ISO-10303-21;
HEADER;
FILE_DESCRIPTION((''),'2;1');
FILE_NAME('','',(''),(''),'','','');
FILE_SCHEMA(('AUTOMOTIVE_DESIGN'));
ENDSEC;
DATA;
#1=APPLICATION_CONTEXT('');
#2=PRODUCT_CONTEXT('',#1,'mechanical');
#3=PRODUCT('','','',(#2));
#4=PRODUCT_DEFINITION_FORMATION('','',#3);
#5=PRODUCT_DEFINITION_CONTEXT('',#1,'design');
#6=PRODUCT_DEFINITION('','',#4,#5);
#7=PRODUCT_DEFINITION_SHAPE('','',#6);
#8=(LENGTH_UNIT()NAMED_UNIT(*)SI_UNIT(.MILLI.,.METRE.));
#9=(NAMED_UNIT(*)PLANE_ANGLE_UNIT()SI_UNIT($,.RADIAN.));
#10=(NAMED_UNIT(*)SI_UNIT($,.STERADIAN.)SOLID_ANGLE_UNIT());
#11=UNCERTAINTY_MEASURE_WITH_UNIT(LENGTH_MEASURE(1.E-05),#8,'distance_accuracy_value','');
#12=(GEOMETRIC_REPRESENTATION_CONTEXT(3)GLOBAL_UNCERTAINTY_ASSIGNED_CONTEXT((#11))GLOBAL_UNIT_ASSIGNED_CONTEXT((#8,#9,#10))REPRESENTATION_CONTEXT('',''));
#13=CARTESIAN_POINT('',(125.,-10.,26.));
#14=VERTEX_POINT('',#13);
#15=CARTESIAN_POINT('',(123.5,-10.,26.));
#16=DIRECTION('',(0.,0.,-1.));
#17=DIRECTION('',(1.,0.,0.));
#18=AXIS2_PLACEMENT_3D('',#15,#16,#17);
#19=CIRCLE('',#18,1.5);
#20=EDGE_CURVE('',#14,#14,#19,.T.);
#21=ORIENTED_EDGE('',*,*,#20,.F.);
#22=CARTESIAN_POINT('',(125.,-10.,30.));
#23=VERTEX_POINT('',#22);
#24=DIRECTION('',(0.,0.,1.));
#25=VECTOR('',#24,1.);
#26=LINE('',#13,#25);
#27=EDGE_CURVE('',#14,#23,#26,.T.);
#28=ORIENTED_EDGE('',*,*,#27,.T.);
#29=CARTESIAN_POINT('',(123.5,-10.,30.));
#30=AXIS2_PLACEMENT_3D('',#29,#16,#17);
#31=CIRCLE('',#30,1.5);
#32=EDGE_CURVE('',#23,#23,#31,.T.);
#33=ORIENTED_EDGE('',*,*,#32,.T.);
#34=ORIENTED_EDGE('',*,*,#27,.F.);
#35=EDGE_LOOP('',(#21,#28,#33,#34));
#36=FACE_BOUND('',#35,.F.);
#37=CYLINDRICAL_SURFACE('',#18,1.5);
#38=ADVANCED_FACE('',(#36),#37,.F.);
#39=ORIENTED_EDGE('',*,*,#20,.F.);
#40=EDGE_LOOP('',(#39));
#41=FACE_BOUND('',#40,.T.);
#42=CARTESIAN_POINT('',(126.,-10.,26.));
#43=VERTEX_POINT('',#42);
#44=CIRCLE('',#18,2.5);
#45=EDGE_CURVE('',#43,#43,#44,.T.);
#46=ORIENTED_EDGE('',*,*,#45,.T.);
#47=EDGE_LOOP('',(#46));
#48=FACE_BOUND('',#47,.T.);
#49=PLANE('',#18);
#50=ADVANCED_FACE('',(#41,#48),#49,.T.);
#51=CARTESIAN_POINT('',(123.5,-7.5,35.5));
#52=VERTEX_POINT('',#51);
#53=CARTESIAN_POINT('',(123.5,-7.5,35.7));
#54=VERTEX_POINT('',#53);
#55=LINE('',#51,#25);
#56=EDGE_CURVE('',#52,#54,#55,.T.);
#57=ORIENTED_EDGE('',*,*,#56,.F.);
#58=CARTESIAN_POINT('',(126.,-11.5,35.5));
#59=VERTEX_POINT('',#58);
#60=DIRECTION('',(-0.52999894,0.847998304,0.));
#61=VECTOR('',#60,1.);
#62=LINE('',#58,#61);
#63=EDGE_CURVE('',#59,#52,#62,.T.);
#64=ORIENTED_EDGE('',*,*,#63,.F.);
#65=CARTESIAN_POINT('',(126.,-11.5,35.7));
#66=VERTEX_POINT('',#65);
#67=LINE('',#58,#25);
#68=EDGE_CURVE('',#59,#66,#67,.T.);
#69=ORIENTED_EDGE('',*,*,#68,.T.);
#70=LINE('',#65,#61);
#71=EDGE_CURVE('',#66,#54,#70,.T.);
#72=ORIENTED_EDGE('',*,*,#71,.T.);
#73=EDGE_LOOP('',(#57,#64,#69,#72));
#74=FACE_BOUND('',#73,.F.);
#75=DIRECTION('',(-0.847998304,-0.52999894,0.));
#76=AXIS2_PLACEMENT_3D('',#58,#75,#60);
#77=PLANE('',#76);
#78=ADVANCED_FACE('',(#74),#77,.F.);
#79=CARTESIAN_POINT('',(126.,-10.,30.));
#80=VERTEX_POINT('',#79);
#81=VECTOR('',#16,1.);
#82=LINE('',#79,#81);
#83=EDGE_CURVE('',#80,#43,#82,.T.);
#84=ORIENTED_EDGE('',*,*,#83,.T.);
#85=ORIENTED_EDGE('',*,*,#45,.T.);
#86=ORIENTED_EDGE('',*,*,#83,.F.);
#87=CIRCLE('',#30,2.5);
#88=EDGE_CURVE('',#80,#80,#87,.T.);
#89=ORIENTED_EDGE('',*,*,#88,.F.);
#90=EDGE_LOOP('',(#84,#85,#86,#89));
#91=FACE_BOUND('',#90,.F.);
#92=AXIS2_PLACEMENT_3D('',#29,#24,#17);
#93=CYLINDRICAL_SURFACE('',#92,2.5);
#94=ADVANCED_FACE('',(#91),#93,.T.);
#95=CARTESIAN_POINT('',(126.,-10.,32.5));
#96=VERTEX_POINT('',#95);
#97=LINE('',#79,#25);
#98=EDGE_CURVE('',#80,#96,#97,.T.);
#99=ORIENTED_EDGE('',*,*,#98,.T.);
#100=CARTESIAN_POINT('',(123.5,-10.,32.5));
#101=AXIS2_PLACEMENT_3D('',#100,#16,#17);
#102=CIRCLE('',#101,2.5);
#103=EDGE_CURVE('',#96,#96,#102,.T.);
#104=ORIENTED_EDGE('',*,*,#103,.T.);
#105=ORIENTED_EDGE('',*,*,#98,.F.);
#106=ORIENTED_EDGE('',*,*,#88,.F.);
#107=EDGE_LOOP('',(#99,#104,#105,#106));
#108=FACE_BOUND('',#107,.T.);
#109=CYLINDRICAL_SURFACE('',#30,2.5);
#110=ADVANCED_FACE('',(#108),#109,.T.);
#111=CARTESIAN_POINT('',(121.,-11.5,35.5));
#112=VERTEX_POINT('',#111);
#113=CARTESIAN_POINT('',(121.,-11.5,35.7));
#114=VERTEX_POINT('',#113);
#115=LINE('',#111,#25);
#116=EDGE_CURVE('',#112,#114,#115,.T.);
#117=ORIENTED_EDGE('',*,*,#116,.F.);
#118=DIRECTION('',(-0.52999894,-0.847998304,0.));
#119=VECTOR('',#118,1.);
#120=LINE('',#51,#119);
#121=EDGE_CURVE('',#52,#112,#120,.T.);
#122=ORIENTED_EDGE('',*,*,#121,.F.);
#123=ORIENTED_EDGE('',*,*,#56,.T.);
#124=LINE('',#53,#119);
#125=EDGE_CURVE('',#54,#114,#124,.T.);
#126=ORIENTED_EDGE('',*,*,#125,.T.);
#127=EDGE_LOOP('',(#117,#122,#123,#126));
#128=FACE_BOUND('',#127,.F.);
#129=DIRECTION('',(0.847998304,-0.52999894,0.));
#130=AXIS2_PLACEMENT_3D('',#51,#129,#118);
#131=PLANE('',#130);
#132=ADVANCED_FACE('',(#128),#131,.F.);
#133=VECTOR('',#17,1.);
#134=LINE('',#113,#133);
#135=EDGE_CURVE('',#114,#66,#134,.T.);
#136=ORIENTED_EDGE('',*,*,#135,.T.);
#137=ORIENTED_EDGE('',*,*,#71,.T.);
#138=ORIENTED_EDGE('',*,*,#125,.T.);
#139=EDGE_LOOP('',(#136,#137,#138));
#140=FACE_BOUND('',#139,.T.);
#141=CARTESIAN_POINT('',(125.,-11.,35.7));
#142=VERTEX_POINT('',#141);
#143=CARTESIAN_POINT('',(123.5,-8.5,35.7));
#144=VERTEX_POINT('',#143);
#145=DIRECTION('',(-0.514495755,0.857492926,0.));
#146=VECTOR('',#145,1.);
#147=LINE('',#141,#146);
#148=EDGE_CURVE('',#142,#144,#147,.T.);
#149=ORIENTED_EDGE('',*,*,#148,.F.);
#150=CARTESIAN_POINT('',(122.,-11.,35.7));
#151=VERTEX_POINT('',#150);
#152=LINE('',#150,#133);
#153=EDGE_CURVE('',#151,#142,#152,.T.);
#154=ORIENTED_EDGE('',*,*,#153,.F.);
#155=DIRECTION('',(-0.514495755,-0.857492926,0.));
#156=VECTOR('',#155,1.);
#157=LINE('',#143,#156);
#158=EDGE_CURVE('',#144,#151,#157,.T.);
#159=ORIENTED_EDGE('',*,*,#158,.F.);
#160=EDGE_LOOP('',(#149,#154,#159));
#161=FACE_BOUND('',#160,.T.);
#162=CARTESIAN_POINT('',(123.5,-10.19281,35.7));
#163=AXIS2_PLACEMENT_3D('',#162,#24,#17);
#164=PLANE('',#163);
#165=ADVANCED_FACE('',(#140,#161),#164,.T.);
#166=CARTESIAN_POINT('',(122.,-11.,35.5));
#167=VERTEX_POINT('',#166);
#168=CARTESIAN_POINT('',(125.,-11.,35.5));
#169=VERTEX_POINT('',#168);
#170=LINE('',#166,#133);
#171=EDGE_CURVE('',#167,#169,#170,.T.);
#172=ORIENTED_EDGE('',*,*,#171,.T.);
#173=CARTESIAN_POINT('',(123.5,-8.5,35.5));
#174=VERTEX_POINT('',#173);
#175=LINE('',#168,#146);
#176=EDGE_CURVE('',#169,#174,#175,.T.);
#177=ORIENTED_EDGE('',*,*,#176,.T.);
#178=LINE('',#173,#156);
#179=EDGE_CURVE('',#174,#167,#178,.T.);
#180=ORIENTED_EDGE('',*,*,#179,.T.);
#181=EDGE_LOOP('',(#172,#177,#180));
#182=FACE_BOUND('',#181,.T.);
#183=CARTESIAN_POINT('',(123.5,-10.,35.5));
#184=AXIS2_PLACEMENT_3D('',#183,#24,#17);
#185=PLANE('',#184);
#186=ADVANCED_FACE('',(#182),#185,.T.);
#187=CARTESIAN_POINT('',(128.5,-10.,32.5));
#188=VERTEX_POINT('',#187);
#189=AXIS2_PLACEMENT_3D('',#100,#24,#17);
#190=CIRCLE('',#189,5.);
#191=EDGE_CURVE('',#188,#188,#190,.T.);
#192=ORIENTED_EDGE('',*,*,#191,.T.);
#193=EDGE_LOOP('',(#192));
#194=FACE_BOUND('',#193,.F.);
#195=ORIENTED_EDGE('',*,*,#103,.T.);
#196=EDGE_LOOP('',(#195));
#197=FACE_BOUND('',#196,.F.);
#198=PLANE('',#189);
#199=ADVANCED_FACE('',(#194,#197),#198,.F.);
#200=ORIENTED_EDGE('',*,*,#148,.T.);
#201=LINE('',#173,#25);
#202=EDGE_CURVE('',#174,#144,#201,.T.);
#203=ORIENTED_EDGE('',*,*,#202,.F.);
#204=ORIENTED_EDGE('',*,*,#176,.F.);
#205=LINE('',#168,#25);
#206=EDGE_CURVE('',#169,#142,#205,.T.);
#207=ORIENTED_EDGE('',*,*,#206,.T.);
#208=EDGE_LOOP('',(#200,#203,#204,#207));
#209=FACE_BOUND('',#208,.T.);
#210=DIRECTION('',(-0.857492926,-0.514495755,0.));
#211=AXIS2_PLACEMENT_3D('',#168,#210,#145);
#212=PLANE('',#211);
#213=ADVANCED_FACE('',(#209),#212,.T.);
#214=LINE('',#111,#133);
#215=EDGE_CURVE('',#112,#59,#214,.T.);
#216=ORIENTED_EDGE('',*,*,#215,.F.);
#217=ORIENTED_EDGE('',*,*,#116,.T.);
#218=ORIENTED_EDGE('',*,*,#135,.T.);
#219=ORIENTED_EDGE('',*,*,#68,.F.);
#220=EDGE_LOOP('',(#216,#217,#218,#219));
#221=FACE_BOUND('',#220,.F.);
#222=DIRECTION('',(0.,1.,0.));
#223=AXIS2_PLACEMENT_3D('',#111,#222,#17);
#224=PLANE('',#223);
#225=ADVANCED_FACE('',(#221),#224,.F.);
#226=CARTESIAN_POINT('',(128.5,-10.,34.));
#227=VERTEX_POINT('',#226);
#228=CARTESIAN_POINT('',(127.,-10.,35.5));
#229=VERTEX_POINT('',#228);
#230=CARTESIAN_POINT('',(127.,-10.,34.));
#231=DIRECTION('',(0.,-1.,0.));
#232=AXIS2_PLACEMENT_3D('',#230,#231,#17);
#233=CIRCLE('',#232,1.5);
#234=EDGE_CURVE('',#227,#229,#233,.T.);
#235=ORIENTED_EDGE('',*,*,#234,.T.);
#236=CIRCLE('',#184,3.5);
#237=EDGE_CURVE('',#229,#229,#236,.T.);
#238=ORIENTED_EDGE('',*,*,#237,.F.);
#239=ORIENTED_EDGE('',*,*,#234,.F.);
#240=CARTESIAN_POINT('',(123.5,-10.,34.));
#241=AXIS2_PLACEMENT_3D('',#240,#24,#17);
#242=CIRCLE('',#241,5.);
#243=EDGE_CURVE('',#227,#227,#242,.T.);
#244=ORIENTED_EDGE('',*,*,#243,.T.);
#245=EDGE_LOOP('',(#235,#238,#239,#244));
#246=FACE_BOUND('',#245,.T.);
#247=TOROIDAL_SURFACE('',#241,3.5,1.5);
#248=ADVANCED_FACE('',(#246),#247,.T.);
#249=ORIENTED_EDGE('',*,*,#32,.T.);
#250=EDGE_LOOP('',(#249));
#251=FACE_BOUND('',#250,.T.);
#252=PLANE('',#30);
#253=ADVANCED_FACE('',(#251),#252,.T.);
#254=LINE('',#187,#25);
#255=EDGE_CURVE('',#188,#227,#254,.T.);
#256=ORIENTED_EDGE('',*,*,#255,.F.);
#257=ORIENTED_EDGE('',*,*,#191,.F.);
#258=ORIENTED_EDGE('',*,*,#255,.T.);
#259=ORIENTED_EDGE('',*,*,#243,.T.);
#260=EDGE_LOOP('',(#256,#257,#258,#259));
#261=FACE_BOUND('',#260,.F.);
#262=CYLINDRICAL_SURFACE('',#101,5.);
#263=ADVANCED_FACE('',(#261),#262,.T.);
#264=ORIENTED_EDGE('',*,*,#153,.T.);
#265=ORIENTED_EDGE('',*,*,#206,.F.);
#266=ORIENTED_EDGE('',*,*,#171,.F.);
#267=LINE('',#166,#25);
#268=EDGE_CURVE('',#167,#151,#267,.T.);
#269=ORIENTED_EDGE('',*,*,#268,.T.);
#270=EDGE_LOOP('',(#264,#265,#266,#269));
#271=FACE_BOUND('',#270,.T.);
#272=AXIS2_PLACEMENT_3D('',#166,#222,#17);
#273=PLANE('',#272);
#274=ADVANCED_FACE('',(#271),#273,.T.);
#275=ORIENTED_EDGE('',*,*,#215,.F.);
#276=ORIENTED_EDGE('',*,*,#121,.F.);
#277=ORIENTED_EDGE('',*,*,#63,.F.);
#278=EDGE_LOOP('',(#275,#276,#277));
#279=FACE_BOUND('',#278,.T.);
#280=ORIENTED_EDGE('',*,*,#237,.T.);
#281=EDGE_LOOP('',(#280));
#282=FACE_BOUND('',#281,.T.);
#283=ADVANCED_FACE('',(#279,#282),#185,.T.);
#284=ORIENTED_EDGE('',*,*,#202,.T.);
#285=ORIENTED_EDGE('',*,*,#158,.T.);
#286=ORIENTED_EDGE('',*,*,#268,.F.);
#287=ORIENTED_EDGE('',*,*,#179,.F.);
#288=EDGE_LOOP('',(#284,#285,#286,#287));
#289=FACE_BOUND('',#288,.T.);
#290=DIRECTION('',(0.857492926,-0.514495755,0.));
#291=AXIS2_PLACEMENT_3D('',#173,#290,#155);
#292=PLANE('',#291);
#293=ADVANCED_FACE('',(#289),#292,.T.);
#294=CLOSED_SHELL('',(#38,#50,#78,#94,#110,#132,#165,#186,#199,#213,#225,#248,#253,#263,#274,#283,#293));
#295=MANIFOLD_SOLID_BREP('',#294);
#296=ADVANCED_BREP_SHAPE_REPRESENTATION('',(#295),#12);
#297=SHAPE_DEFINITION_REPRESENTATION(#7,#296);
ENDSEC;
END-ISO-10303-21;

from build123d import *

# Parameters (mm, degrees)
SKETCH046_R     = 2.5
PAD023_DEPTH    = 2.5
SKETCH047_R     = 5
PAD024_DEPTH    = 3
FILLET003_R     = 1.5
SKETCH049_R     = 2.5
PAD025_DEPTH    = 4
SKETCH050_R     = 1.5
POCKET026_DEPTH = 4
PAD056_DEPTH    = 0.2


with BuildPart() as part:
    # Sketch046 → Pad023 (new body)
    with BuildSketch(Plane(origin=(0, 0, 30), x_dir=(1, 0, 0), z_dir=(0, 0, -1))):
        with Locations((101, 55)):
            Circle(SKETCH046_R)
    extrude(amount=-PAD023_DEPTH)

    # Sketch047 (on Face3 of Pad023) → Pad024 (join)
    with BuildSketch(Plane.XY.offset(32.5)):
        with Locations((101, -55)):
            Circle(SKETCH047_R)
    extrude(amount=PAD024_DEPTH)

    # Fillet003
    fillet003_edges = [part.edges().sort_by_distance(p)[0] for p in [
        (96, -55, 35.5),
    ]]
    fillet(fillet003_edges, radius=FILLET003_R)

    # Sketch049 → Pad025 (join)
    with BuildSketch(Plane(origin=(0, 0, 30), x_dir=(1, 0, 0), z_dir=(0, 0, -1))):
        with Locations((101, 55)):
            Circle(SKETCH049_R)
    extrude(amount=PAD025_DEPTH)

    # Sketch050 (on Face17 of Pad025) → Pocket026 (cut)
    with BuildSketch(Plane(origin=(0, 0, 26), x_dir=(1, 0, 0), z_dir=(0, 0, -1))):
        with Locations((101, 55)):
            Circle(SKETCH050_R)
    extrude(amount=-POCKET026_DEPTH, mode=Mode.SUBTRACT)


with BuildPart() as part_1:
    # Body002 placement: moved
    add(part.part.moved(Location((75, 0, 0))))

    # Sketch090 (on Face4 of Clone004) → Pad056 (new body)
    with BuildSketch(Plane(origin=(75, 0, 35.5), x_dir=(1, 0, 0), z_dir=(0, 0, 1))):
        Polygon((98.5, -56.5), (103.5, -56.5), (101, -52.5), align=None)
        Polygon((101, -53.5), (99.5, -56), (102.5, -56), align=None, mode=Mode.SUBTRACT)
    extrude(amount=PAD056_DEPTH)


with BuildPart() as part_2:
    # Body013 placement: moved
    add(part_1.part.moved(Location((-52.5, 45, 0))))


solid = part_2.part
